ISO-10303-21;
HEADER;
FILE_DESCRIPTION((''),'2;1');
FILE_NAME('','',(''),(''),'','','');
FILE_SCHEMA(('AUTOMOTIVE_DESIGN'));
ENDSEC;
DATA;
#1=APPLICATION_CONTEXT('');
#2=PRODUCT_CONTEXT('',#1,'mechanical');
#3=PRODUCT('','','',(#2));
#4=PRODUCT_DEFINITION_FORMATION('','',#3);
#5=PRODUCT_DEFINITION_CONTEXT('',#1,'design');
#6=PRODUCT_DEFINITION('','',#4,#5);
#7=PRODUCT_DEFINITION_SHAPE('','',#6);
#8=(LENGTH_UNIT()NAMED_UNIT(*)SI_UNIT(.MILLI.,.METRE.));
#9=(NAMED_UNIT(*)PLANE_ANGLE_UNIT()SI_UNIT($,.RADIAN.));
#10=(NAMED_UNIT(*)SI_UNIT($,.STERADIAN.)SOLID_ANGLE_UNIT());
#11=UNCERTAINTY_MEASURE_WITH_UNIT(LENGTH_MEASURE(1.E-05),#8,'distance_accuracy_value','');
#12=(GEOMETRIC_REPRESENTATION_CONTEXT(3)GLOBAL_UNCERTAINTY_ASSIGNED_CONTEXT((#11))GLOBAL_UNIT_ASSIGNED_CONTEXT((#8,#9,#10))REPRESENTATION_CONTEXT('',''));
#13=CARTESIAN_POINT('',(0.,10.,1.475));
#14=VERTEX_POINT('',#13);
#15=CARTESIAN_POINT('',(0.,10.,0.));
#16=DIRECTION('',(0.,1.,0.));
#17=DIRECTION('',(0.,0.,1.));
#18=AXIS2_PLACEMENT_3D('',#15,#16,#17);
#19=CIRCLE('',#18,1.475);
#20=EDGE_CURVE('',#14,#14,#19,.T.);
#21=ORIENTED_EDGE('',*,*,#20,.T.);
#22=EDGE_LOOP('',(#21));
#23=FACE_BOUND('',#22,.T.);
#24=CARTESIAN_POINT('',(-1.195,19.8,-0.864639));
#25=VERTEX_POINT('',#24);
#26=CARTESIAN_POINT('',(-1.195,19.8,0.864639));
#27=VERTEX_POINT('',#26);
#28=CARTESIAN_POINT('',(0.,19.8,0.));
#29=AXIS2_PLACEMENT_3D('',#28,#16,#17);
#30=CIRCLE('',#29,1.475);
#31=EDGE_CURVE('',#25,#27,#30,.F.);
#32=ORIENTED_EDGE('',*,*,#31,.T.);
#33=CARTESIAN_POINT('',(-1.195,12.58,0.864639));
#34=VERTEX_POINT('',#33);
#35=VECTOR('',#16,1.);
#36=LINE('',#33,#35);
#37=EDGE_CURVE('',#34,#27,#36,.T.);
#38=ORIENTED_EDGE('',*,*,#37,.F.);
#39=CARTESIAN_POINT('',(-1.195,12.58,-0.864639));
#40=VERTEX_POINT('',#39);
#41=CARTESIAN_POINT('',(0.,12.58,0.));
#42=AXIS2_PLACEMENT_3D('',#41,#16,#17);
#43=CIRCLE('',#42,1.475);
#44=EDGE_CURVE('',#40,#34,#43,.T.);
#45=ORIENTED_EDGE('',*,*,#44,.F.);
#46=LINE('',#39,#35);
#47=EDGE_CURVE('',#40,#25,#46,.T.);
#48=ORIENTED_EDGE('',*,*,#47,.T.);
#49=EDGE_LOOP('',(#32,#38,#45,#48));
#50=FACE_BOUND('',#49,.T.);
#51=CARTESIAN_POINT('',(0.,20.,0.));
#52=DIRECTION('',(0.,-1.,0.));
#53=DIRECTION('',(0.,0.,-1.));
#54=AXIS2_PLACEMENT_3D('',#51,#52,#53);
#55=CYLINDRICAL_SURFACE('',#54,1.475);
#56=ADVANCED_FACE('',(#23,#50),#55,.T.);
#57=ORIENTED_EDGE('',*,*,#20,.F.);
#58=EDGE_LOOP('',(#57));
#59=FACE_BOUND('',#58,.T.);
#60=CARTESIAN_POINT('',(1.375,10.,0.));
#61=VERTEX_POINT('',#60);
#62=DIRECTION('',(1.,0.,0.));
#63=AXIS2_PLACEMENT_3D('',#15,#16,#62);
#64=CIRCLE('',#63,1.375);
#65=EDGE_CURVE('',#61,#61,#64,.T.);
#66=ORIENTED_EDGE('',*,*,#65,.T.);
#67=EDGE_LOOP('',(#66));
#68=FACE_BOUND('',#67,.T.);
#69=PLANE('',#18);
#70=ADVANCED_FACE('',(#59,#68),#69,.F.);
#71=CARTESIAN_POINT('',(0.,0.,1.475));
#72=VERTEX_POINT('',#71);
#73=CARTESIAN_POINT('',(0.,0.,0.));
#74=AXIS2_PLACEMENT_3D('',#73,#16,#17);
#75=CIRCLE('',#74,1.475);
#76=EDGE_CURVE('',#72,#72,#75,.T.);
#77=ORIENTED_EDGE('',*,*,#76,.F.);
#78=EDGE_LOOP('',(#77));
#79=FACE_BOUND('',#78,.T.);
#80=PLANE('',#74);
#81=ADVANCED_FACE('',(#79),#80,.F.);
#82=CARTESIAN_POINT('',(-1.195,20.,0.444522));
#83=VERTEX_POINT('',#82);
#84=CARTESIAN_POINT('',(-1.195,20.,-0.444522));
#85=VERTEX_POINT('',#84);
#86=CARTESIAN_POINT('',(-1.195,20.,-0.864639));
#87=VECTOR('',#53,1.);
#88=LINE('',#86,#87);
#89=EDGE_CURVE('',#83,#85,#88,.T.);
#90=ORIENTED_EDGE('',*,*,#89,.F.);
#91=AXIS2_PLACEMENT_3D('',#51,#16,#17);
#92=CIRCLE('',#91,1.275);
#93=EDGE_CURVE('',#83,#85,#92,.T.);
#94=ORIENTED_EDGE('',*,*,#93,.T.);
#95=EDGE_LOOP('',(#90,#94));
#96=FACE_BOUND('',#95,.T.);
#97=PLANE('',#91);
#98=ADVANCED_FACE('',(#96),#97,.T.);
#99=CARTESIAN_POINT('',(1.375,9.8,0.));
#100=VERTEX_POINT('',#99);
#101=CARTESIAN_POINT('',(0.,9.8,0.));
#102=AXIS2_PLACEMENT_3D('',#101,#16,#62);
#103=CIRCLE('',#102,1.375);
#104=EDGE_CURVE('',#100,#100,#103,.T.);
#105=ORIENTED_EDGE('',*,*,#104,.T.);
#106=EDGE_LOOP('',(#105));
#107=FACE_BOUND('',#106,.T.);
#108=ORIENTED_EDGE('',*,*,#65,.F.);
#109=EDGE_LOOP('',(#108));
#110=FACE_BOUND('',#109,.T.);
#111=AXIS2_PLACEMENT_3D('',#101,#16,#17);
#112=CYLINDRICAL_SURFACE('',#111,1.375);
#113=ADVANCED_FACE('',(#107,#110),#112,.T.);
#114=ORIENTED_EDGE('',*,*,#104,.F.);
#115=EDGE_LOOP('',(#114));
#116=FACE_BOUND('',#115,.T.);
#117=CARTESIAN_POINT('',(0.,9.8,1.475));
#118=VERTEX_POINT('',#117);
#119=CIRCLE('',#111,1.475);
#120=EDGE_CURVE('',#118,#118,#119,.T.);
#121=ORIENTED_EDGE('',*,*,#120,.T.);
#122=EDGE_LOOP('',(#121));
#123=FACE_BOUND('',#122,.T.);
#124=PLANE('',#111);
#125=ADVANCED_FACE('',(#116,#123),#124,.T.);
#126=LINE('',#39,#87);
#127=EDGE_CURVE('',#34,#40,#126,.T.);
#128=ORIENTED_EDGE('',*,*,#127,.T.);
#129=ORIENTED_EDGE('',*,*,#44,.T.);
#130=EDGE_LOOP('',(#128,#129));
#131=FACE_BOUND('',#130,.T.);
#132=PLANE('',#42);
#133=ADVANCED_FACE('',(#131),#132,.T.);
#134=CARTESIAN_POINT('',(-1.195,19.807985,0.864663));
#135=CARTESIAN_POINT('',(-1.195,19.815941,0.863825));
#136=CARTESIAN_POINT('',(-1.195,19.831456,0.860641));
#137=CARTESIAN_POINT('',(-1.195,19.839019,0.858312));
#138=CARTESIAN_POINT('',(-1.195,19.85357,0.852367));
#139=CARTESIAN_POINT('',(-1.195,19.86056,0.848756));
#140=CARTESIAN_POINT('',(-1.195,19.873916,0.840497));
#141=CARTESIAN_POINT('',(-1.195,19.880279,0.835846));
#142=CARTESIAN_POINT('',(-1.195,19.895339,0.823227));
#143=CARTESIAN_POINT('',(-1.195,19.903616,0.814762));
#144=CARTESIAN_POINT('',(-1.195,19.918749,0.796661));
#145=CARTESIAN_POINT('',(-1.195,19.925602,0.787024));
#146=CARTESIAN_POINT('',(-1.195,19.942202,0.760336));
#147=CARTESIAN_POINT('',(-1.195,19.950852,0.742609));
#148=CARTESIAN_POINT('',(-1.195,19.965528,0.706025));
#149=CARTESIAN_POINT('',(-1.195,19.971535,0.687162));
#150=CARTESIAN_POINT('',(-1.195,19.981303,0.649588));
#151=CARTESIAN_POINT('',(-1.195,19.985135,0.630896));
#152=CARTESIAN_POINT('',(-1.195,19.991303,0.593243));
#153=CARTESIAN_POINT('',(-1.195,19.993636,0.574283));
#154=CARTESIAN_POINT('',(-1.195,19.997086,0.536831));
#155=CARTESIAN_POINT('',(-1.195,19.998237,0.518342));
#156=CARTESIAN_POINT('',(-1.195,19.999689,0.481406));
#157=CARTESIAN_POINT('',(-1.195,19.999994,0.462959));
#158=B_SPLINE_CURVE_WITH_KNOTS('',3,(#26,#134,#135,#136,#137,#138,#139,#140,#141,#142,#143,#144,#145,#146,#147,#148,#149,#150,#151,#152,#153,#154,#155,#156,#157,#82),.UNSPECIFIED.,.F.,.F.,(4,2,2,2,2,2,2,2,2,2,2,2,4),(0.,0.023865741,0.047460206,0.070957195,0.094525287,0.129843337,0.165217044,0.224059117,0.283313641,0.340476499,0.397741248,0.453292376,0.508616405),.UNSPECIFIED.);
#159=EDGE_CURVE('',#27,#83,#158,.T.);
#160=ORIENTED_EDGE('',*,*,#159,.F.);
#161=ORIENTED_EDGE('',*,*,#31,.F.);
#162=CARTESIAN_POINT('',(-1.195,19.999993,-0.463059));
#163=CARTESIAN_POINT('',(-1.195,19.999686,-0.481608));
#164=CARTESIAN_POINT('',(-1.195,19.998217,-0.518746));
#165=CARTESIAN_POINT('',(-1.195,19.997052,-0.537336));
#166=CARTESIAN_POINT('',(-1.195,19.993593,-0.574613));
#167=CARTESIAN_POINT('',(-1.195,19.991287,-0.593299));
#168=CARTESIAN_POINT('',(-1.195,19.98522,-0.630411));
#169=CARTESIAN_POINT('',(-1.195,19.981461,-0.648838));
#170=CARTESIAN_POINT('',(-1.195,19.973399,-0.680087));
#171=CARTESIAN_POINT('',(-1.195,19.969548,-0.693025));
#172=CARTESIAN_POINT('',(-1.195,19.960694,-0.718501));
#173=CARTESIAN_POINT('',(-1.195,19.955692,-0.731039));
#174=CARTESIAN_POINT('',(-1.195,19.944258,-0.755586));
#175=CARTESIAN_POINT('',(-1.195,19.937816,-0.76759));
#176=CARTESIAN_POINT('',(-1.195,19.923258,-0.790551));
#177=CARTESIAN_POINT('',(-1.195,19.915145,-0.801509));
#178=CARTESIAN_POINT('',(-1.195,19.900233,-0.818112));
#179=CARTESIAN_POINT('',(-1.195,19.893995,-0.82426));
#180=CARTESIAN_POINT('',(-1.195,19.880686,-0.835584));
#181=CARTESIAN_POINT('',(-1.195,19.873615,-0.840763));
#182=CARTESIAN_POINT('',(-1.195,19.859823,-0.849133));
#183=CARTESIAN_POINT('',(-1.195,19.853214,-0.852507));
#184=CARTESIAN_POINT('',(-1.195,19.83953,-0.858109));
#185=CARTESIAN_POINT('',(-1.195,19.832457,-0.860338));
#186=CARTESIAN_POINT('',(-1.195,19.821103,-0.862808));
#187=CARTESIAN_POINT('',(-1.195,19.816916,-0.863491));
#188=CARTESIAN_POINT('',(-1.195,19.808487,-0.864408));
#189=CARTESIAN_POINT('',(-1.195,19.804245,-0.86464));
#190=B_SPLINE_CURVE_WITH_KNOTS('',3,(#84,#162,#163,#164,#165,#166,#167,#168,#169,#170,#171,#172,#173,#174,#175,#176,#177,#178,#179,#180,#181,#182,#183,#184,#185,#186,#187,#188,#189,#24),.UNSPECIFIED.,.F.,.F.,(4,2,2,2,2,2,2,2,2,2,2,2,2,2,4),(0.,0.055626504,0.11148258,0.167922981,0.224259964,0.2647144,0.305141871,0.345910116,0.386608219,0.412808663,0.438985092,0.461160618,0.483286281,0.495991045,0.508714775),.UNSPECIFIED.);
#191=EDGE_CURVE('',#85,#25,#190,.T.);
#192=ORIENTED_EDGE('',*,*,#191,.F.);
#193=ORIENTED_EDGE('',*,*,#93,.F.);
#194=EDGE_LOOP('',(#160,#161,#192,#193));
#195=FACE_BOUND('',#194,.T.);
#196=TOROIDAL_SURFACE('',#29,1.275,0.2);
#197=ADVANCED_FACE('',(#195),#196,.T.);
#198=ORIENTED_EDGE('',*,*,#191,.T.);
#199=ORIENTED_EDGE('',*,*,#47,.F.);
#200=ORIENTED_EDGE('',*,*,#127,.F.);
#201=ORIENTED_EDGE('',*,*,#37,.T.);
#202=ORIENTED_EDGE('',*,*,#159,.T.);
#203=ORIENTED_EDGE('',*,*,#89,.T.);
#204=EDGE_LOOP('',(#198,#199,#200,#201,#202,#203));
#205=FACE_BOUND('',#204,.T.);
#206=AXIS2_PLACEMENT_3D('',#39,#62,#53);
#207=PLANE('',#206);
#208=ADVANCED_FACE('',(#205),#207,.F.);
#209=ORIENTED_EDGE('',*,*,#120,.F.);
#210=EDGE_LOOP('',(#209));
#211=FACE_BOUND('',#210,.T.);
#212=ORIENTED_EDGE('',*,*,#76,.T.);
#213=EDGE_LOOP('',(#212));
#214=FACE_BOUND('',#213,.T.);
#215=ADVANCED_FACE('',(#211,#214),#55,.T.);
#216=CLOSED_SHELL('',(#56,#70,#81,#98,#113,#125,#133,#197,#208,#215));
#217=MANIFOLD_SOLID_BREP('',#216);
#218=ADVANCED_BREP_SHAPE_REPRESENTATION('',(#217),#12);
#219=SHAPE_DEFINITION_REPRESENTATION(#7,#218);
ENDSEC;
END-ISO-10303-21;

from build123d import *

# Parameters (mm, degrees)
SKETCH_1_R          = 1.475
EXTRUDE_1_DEPTH     = 20
SKETCH_2_R          = 1.475
SKETCH_2_R_2        = 1.375
CUT_EXTRUDE_4_DEPTH = 0.2
CUT_EXTRUDE_1_DEPTH = 7.42
FILLET_1_R          = 0.2


with BuildPart() as part:
    # 草图1 → 凸台-拉伸1 (new body)
    with BuildSketch(Plane(origin=(0, 0, 0), x_dir=(1, 0, 0), z_dir=(0, 1, 0))):
        Circle(SKETCH_1_R)
    extrude(amount=EXTRUDE_1_DEPTH)

    # 草图2 → 切除-拉伸-薄壁4 (cut)
    with BuildSketch(Plane(origin=(0, 10, 0), x_dir=(1, 0, 0), z_dir=(0, 1, 0))):
        Circle(SKETCH_2_R)
        Circle(SKETCH_2_R_2, mode=Mode.SUBTRACT)
    extrude(amount=-CUT_EXTRUDE_4_DEPTH, mode=Mode.SUBTRACT)

    # 草图3 → 切除-拉伸1 (cut)
    with BuildSketch(Plane(origin=(0, 20, 0), x_dir=(1, 0, 0), z_dir=(0, 1, 0))):
        with BuildLine():
            Line((-1.195, 0.864638653), (-1.195, -0.864638653))
            ThreePointArc((-1.195, -0.864638653), (-1.475, 0), (-1.195, 0.864638653))
        make_face()
    extrude(amount=-CUT_EXTRUDE_1_DEPTH, mode=Mode.SUBTRACT)

    # 圆角1
    fillet_1_edges = [part.edges().sort_by_distance(p)[0] for p in [
        (0.454422711, 20, 1.403255144),
    ]]
    fillet(fillet_1_edges, radius=FILLET_1_R)


solid = part.part
